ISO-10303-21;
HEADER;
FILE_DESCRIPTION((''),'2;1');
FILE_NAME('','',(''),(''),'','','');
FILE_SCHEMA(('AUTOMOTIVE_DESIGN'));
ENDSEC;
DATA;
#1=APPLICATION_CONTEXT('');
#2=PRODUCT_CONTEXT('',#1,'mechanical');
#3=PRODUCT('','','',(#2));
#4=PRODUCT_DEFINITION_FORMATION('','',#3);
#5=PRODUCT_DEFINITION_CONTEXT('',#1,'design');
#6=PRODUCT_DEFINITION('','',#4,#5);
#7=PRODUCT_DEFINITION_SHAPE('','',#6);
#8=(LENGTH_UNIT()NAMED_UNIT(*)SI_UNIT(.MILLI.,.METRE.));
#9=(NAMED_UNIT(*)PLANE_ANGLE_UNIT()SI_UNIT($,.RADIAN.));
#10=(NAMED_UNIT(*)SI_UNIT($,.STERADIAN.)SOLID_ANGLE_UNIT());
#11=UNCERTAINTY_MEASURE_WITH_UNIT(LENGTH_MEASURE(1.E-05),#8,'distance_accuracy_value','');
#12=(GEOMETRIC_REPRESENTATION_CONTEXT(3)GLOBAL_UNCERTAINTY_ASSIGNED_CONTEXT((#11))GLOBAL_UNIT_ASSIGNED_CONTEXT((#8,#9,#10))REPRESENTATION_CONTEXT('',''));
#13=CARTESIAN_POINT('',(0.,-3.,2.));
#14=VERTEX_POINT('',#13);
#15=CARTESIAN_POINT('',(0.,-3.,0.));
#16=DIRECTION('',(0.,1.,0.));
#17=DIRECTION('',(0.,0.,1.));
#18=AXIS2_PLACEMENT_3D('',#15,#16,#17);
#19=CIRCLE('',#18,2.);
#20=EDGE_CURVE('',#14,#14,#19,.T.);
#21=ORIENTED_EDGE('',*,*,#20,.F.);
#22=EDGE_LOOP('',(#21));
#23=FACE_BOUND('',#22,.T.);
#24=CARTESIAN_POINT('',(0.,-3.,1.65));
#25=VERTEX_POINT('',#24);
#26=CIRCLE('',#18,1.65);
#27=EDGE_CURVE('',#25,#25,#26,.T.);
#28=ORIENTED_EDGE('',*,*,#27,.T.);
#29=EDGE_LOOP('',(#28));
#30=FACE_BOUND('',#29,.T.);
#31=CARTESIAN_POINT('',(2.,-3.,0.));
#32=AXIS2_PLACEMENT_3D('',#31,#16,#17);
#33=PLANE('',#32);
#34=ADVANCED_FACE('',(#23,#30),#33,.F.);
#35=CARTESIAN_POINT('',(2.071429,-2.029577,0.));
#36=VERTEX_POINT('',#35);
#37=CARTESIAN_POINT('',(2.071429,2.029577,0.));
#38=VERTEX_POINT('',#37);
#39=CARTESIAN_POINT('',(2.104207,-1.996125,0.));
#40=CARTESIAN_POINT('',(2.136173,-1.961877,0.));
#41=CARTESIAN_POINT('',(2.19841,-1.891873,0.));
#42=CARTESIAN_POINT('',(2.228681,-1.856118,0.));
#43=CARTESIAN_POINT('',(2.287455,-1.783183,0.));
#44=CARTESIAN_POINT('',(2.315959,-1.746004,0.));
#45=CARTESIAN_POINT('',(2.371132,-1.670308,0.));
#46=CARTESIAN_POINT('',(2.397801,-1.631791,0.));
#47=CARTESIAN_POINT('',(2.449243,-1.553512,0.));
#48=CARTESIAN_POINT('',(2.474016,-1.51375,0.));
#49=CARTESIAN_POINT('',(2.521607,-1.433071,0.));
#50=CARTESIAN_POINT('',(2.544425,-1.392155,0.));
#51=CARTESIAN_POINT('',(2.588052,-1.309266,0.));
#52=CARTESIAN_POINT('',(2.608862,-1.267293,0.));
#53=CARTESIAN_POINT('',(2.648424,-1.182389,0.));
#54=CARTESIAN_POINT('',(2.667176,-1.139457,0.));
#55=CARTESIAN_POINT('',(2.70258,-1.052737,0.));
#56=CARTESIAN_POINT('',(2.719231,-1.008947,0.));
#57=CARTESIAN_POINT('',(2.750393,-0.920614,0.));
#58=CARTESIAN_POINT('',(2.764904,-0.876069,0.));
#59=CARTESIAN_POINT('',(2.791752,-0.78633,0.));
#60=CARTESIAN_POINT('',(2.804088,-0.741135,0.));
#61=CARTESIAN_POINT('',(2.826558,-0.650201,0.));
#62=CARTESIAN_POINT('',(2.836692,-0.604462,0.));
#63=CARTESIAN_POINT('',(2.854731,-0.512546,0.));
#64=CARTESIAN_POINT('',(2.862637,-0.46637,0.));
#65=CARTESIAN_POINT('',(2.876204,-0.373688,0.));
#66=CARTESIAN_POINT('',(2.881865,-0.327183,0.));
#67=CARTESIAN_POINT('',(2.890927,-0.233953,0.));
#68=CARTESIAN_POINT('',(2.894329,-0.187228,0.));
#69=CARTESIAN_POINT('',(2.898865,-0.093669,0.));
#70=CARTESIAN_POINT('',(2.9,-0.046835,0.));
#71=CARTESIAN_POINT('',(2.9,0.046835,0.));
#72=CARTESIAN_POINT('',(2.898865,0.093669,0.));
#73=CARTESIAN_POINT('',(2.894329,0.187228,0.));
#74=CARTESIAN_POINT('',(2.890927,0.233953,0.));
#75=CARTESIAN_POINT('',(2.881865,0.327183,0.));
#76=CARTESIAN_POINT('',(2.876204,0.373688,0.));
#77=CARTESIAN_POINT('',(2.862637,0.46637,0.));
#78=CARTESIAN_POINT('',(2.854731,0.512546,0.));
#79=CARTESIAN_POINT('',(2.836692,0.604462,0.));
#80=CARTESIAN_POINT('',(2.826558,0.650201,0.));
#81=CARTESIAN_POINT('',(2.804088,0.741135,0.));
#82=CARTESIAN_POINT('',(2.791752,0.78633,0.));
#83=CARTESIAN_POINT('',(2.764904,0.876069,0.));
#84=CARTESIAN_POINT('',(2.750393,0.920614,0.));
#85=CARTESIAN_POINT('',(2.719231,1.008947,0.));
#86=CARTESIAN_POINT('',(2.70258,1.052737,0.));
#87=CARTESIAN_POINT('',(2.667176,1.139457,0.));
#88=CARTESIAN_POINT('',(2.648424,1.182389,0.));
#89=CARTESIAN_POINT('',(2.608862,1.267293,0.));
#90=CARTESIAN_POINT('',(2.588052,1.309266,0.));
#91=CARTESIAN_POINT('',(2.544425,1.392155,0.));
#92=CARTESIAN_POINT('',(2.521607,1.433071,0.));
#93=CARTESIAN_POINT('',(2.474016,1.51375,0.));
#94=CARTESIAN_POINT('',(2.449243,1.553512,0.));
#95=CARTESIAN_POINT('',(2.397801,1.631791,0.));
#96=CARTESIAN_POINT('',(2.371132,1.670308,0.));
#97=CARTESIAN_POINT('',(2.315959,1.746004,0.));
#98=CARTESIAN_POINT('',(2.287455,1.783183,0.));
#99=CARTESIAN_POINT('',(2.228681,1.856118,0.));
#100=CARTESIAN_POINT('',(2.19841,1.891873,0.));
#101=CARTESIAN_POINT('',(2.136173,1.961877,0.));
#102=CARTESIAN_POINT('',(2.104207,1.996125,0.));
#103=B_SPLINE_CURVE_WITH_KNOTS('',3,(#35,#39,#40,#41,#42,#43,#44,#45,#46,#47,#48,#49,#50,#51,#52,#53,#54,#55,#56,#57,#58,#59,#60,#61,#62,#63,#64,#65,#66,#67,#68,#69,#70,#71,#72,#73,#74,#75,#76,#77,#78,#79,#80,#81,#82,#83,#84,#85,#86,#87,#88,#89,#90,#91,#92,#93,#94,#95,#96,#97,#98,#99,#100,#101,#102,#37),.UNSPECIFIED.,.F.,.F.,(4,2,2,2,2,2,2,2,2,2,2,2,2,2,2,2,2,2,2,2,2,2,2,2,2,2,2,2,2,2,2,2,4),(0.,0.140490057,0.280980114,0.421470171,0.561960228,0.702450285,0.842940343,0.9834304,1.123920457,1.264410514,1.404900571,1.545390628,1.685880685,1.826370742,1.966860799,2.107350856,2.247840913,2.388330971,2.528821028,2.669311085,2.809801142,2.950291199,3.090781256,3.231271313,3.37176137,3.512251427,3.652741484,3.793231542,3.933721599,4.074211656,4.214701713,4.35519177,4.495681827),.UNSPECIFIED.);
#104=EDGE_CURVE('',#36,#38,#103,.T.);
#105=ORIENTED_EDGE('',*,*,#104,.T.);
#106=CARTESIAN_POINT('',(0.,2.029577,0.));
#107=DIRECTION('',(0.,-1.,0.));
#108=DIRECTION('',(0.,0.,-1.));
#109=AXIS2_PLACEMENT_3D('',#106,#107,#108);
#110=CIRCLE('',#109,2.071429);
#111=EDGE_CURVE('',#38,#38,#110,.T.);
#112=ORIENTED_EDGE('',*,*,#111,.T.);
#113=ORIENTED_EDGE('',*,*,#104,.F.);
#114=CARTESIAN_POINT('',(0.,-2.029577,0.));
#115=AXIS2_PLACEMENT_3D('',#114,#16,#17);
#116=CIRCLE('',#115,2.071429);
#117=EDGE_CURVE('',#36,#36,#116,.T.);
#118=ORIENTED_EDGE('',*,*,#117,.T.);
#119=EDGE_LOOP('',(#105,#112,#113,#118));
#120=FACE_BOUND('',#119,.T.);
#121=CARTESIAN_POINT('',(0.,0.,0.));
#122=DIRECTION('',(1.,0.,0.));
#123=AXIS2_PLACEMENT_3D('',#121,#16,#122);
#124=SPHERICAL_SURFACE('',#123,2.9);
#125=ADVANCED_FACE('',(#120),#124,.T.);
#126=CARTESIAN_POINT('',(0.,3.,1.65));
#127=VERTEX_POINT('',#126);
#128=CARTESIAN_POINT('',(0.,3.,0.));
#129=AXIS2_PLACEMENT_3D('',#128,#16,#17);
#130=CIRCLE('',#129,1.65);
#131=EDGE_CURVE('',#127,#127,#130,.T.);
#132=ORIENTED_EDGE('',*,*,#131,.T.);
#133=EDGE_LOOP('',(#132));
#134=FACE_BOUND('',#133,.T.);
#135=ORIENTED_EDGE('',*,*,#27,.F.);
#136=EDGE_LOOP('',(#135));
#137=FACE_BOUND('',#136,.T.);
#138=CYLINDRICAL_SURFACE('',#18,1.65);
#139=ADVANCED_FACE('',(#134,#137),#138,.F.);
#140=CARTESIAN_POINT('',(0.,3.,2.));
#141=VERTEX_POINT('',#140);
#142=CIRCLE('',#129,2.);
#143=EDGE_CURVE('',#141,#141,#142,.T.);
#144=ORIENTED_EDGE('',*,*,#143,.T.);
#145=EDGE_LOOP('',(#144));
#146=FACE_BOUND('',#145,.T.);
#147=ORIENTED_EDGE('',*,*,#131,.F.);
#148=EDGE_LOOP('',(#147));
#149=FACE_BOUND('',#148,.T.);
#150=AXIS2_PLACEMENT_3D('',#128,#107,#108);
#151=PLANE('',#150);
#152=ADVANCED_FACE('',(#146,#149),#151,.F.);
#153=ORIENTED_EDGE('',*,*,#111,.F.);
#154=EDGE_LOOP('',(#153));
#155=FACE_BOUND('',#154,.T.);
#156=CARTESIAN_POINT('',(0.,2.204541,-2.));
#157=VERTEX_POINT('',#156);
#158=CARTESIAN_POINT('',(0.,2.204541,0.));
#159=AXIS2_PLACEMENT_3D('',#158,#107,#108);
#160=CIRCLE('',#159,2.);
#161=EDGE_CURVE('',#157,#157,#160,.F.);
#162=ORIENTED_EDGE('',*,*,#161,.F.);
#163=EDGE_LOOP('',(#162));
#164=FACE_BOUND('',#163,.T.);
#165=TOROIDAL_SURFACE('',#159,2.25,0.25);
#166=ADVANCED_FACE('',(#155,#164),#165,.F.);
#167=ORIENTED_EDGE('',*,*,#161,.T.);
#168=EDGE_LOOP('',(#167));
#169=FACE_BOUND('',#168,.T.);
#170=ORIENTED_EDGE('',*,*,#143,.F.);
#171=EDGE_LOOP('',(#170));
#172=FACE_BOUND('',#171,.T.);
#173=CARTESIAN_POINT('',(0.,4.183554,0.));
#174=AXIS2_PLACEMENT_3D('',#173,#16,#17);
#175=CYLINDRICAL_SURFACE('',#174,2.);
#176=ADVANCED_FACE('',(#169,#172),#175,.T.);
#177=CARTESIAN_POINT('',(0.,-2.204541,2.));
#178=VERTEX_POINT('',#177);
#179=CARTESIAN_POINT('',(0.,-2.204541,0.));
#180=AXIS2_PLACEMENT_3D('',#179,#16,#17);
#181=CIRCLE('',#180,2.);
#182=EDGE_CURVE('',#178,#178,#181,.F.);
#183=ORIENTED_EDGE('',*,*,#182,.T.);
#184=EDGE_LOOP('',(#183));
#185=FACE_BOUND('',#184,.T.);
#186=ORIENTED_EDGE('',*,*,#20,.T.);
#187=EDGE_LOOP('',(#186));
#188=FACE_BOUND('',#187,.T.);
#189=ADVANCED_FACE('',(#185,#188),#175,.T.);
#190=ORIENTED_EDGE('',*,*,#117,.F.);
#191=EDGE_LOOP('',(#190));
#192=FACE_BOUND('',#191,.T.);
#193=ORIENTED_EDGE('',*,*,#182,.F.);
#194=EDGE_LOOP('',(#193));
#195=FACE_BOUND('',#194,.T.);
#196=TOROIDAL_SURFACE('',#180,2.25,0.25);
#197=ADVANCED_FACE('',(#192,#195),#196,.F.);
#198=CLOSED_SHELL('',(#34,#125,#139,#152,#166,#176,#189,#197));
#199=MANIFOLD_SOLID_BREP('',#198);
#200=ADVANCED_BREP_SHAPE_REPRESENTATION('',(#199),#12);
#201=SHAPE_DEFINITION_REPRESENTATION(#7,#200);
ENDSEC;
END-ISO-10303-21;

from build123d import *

# Parameters (mm, degrees)
SKETCH2_R          = 1.65
CUT_EXTRUDE1_DEPTH = 6
FILLET1_R          = 0.25


with BuildPart() as part:
    # Sketch1 → Revolve1 (revolve)
    with BuildSketch(Plane.XY, mode=Mode.PRIVATE) as revolve1_sk:
        with BuildLine():
            Line((0, 3), (2, 3))
            Line((2, 3), (2, 2.1))
            ThreePointArc((2, 2.1), (2.9, 0), (2, -2.1))
            Line((2, -2.1), (2, -3))
            Line((2, -3), (0, -3))
            Line((0, -3), (0, 3))
        make_face()
    revolve(revolve1_sk.sketch.rotate(Axis((0, 4.183554313, 0), (0, -1, 0)), 90), axis=Axis((0, 4.183554313, 0), (0, -1, 0)))

    # Sketch2 → Cut-Extrude1 (cut)
    with BuildSketch(Plane(origin=(0, 3, 0), x_dir=(1, 0, 0), z_dir=(0, 1, 0))):
        with Locations(Location((0, 0, 0), (0, 0, 270))):
            Circle(SKETCH2_R)
    extrude(amount=-CUT_EXTRUDE1_DEPTH, mode=Mode.SUBTRACT)

    # Fillet1
    fillet1_edges = [part.edges().sort_by_distance(p)[0] for p in [
        (0, -2.1, -2),
        (0, 2.1, -2),
    ]]
    fillet(fillet1_edges, radius=FILLET1_R)


solid = part.part
